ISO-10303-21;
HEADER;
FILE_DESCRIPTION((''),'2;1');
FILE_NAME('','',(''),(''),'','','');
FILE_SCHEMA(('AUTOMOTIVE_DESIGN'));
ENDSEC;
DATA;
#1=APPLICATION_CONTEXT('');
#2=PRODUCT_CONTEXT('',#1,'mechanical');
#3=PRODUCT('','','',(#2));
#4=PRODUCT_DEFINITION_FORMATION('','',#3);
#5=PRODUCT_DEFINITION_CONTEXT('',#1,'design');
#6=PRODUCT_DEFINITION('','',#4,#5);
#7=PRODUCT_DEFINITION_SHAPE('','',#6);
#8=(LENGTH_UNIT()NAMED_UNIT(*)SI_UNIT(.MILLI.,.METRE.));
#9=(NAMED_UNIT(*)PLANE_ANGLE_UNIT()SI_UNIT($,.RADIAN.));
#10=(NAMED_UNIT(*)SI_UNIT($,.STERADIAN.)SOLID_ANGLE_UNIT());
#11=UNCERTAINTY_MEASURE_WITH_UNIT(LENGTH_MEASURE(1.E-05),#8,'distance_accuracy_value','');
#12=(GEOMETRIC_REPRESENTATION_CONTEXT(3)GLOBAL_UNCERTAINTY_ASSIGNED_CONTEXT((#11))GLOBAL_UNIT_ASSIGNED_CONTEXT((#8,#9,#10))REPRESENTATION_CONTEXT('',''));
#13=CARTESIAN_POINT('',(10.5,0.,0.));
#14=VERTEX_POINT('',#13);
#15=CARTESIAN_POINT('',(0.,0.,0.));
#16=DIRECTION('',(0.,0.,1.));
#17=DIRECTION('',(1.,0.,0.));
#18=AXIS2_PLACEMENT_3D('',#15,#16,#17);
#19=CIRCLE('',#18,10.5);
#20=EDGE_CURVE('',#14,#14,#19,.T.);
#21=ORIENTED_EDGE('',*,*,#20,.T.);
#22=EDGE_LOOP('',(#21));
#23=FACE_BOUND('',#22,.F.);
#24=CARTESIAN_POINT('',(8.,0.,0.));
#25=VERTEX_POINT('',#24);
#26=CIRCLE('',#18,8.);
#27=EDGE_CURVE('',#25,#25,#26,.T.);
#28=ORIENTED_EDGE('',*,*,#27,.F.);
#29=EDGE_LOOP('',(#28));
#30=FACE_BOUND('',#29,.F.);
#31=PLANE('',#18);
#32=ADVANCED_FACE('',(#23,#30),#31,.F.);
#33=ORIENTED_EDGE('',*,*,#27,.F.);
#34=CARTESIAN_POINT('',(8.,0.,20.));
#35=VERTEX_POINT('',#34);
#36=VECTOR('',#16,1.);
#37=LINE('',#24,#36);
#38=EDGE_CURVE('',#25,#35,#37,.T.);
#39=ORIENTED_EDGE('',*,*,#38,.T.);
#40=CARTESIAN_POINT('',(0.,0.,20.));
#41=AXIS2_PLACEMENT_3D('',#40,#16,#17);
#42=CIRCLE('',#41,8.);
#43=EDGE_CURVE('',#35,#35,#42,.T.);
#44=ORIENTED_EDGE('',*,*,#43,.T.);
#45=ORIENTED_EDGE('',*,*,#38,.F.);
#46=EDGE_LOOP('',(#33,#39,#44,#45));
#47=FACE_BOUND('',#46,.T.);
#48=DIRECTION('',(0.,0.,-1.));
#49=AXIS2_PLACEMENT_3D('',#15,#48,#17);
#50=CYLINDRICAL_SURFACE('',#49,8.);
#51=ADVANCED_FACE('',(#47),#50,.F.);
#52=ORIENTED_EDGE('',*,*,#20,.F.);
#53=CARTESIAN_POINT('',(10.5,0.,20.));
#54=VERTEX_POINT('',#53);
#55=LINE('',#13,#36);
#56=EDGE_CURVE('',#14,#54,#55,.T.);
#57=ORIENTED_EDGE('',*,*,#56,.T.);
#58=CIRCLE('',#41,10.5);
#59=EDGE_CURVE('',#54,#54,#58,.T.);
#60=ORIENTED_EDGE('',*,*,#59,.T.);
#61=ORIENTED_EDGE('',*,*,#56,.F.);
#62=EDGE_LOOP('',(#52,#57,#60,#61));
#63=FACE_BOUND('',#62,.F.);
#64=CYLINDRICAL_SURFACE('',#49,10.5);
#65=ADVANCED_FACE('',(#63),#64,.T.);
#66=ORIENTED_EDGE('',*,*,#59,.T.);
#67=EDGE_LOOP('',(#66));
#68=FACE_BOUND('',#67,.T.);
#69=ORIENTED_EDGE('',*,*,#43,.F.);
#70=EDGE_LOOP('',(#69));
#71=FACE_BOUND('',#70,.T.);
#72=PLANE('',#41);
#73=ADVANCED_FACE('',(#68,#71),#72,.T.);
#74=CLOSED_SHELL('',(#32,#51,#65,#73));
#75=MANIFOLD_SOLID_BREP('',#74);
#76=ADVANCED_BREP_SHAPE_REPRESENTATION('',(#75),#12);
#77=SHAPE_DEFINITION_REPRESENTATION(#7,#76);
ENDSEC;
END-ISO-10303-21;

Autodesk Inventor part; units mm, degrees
ref_plane "YZ Plane" through (0, 0, 0) normal (1, 0, 0) x (0, 1, 0)
ref_plane "XZ Plane" through (0, 0, 0) normal (0, 1, 0) x (-1, 0, 0)
ref_plane "XY Plane" through (0, 0, 0) normal (0, 0, 1) x (1, 0, 0)
sketch "Sketch1" plane through (0, 0, 0) normal (0, 0, 1) x (1, 0, 0)
  circle A0 centre (0, 0) radius 10.5
  circle A1 centre (0, 0) radius 8
  dimension "d0" = 21
  dimension "d1" = 16
extrude "Extrusion1" add sketch "Sketch1" along normal blind 20
properties part number "TZS dummy pipe nippel"
